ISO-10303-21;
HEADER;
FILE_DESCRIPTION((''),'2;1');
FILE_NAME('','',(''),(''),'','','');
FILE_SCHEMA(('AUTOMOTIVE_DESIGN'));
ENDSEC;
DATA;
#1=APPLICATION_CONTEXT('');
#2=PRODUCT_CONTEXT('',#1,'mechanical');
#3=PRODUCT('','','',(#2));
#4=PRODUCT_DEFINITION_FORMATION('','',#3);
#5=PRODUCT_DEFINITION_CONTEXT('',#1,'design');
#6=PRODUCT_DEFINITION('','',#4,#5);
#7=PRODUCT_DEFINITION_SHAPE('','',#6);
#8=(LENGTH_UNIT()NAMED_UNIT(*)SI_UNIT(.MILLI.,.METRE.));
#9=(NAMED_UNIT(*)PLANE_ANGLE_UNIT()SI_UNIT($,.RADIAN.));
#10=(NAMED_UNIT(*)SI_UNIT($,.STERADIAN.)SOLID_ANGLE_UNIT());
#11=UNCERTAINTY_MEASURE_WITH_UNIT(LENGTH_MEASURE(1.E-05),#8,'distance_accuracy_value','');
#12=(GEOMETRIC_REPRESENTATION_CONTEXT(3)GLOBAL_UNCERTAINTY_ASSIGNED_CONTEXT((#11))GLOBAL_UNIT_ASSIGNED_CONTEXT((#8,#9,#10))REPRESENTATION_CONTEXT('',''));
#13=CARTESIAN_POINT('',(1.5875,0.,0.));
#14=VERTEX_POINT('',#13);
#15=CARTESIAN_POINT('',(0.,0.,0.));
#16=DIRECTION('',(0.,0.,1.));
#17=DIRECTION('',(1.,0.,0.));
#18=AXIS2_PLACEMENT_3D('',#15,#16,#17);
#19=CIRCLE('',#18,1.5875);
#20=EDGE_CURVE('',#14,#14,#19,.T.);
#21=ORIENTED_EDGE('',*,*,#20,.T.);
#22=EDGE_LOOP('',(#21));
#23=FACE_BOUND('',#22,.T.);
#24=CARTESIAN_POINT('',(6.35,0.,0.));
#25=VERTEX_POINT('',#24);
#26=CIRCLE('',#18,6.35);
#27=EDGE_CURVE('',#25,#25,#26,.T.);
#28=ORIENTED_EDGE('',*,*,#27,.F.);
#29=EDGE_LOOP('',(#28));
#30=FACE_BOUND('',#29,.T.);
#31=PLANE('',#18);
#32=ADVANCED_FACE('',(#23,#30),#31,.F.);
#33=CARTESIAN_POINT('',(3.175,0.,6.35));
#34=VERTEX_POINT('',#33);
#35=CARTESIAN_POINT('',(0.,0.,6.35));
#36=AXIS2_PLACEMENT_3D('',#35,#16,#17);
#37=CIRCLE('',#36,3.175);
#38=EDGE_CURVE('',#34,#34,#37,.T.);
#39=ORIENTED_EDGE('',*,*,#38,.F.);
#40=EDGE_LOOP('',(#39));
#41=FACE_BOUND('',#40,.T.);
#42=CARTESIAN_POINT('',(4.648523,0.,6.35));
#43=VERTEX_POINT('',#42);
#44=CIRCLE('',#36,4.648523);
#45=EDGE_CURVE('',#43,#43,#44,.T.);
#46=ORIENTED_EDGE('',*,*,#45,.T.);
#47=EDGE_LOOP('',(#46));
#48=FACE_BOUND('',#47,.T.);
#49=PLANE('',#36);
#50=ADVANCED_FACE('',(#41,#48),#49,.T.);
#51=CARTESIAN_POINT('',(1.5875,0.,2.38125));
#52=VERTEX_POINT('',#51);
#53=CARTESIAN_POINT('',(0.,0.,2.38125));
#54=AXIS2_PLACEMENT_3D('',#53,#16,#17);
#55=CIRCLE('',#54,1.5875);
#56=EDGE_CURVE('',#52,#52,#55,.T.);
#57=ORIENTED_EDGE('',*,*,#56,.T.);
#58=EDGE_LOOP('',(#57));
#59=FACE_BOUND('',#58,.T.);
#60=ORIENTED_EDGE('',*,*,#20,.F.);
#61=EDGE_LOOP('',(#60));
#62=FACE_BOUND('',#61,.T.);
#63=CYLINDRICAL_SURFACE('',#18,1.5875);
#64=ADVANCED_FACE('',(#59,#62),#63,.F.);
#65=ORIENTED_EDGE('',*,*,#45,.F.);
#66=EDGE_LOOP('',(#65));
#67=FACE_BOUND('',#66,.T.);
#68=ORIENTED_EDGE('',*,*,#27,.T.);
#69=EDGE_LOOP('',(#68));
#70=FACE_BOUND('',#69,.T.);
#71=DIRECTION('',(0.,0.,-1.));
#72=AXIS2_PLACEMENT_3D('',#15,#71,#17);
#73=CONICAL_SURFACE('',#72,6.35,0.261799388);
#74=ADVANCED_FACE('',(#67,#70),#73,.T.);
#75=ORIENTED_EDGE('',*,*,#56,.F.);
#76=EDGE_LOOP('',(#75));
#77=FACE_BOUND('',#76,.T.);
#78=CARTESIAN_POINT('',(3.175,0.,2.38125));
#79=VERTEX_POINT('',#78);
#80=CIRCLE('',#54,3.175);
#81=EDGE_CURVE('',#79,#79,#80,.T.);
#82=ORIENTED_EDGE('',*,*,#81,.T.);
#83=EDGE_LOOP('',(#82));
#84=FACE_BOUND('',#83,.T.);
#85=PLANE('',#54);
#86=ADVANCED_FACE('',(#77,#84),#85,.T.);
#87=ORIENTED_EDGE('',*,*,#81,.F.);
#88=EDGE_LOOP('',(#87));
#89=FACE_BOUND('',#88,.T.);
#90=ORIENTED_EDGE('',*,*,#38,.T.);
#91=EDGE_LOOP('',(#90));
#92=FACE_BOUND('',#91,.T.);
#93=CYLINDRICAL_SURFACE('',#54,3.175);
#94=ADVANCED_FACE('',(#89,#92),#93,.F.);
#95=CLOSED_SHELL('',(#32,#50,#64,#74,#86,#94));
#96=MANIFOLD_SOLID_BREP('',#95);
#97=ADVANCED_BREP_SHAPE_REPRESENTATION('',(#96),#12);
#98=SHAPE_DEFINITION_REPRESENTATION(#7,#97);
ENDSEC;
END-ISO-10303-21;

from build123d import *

# Parameters (mm, degrees)
SKETCH1_R           = 6.35
BOSS_EXTRUDE1_DEPTH = 6.35
BOSS_EXTRUDE1_TAPER = 15
SKETCH2_R           = 3.175
CUT_EXTRUDE1_DEPTH  = 3.96875
SKETCH3_R           = 1.5875
CUT_EXTRUDE2_DEPTH  = 3.38125


with BuildPart() as part:
    # Sketch1 → Boss-Extrude1 (new body)
    with BuildSketch(Plane.XY):
        Circle(SKETCH1_R)
    extrude(amount=BOSS_EXTRUDE1_DEPTH, taper=BOSS_EXTRUDE1_TAPER)

    # Sketch2 → Cut-Extrude1 (cut)
    with BuildSketch(Plane.XY.offset(6.35)):
        Circle(SKETCH2_R)
    extrude(amount=-CUT_EXTRUDE1_DEPTH, mode=Mode.SUBTRACT)

    # Sketch3 → Cut-Extrude2 (cut, through all)
    with BuildSketch(Plane.XY.offset(2.38125)):
        Circle(SKETCH3_R)
    extrude(amount=-CUT_EXTRUDE2_DEPTH, mode=Mode.SUBTRACT)


solid = part.part
